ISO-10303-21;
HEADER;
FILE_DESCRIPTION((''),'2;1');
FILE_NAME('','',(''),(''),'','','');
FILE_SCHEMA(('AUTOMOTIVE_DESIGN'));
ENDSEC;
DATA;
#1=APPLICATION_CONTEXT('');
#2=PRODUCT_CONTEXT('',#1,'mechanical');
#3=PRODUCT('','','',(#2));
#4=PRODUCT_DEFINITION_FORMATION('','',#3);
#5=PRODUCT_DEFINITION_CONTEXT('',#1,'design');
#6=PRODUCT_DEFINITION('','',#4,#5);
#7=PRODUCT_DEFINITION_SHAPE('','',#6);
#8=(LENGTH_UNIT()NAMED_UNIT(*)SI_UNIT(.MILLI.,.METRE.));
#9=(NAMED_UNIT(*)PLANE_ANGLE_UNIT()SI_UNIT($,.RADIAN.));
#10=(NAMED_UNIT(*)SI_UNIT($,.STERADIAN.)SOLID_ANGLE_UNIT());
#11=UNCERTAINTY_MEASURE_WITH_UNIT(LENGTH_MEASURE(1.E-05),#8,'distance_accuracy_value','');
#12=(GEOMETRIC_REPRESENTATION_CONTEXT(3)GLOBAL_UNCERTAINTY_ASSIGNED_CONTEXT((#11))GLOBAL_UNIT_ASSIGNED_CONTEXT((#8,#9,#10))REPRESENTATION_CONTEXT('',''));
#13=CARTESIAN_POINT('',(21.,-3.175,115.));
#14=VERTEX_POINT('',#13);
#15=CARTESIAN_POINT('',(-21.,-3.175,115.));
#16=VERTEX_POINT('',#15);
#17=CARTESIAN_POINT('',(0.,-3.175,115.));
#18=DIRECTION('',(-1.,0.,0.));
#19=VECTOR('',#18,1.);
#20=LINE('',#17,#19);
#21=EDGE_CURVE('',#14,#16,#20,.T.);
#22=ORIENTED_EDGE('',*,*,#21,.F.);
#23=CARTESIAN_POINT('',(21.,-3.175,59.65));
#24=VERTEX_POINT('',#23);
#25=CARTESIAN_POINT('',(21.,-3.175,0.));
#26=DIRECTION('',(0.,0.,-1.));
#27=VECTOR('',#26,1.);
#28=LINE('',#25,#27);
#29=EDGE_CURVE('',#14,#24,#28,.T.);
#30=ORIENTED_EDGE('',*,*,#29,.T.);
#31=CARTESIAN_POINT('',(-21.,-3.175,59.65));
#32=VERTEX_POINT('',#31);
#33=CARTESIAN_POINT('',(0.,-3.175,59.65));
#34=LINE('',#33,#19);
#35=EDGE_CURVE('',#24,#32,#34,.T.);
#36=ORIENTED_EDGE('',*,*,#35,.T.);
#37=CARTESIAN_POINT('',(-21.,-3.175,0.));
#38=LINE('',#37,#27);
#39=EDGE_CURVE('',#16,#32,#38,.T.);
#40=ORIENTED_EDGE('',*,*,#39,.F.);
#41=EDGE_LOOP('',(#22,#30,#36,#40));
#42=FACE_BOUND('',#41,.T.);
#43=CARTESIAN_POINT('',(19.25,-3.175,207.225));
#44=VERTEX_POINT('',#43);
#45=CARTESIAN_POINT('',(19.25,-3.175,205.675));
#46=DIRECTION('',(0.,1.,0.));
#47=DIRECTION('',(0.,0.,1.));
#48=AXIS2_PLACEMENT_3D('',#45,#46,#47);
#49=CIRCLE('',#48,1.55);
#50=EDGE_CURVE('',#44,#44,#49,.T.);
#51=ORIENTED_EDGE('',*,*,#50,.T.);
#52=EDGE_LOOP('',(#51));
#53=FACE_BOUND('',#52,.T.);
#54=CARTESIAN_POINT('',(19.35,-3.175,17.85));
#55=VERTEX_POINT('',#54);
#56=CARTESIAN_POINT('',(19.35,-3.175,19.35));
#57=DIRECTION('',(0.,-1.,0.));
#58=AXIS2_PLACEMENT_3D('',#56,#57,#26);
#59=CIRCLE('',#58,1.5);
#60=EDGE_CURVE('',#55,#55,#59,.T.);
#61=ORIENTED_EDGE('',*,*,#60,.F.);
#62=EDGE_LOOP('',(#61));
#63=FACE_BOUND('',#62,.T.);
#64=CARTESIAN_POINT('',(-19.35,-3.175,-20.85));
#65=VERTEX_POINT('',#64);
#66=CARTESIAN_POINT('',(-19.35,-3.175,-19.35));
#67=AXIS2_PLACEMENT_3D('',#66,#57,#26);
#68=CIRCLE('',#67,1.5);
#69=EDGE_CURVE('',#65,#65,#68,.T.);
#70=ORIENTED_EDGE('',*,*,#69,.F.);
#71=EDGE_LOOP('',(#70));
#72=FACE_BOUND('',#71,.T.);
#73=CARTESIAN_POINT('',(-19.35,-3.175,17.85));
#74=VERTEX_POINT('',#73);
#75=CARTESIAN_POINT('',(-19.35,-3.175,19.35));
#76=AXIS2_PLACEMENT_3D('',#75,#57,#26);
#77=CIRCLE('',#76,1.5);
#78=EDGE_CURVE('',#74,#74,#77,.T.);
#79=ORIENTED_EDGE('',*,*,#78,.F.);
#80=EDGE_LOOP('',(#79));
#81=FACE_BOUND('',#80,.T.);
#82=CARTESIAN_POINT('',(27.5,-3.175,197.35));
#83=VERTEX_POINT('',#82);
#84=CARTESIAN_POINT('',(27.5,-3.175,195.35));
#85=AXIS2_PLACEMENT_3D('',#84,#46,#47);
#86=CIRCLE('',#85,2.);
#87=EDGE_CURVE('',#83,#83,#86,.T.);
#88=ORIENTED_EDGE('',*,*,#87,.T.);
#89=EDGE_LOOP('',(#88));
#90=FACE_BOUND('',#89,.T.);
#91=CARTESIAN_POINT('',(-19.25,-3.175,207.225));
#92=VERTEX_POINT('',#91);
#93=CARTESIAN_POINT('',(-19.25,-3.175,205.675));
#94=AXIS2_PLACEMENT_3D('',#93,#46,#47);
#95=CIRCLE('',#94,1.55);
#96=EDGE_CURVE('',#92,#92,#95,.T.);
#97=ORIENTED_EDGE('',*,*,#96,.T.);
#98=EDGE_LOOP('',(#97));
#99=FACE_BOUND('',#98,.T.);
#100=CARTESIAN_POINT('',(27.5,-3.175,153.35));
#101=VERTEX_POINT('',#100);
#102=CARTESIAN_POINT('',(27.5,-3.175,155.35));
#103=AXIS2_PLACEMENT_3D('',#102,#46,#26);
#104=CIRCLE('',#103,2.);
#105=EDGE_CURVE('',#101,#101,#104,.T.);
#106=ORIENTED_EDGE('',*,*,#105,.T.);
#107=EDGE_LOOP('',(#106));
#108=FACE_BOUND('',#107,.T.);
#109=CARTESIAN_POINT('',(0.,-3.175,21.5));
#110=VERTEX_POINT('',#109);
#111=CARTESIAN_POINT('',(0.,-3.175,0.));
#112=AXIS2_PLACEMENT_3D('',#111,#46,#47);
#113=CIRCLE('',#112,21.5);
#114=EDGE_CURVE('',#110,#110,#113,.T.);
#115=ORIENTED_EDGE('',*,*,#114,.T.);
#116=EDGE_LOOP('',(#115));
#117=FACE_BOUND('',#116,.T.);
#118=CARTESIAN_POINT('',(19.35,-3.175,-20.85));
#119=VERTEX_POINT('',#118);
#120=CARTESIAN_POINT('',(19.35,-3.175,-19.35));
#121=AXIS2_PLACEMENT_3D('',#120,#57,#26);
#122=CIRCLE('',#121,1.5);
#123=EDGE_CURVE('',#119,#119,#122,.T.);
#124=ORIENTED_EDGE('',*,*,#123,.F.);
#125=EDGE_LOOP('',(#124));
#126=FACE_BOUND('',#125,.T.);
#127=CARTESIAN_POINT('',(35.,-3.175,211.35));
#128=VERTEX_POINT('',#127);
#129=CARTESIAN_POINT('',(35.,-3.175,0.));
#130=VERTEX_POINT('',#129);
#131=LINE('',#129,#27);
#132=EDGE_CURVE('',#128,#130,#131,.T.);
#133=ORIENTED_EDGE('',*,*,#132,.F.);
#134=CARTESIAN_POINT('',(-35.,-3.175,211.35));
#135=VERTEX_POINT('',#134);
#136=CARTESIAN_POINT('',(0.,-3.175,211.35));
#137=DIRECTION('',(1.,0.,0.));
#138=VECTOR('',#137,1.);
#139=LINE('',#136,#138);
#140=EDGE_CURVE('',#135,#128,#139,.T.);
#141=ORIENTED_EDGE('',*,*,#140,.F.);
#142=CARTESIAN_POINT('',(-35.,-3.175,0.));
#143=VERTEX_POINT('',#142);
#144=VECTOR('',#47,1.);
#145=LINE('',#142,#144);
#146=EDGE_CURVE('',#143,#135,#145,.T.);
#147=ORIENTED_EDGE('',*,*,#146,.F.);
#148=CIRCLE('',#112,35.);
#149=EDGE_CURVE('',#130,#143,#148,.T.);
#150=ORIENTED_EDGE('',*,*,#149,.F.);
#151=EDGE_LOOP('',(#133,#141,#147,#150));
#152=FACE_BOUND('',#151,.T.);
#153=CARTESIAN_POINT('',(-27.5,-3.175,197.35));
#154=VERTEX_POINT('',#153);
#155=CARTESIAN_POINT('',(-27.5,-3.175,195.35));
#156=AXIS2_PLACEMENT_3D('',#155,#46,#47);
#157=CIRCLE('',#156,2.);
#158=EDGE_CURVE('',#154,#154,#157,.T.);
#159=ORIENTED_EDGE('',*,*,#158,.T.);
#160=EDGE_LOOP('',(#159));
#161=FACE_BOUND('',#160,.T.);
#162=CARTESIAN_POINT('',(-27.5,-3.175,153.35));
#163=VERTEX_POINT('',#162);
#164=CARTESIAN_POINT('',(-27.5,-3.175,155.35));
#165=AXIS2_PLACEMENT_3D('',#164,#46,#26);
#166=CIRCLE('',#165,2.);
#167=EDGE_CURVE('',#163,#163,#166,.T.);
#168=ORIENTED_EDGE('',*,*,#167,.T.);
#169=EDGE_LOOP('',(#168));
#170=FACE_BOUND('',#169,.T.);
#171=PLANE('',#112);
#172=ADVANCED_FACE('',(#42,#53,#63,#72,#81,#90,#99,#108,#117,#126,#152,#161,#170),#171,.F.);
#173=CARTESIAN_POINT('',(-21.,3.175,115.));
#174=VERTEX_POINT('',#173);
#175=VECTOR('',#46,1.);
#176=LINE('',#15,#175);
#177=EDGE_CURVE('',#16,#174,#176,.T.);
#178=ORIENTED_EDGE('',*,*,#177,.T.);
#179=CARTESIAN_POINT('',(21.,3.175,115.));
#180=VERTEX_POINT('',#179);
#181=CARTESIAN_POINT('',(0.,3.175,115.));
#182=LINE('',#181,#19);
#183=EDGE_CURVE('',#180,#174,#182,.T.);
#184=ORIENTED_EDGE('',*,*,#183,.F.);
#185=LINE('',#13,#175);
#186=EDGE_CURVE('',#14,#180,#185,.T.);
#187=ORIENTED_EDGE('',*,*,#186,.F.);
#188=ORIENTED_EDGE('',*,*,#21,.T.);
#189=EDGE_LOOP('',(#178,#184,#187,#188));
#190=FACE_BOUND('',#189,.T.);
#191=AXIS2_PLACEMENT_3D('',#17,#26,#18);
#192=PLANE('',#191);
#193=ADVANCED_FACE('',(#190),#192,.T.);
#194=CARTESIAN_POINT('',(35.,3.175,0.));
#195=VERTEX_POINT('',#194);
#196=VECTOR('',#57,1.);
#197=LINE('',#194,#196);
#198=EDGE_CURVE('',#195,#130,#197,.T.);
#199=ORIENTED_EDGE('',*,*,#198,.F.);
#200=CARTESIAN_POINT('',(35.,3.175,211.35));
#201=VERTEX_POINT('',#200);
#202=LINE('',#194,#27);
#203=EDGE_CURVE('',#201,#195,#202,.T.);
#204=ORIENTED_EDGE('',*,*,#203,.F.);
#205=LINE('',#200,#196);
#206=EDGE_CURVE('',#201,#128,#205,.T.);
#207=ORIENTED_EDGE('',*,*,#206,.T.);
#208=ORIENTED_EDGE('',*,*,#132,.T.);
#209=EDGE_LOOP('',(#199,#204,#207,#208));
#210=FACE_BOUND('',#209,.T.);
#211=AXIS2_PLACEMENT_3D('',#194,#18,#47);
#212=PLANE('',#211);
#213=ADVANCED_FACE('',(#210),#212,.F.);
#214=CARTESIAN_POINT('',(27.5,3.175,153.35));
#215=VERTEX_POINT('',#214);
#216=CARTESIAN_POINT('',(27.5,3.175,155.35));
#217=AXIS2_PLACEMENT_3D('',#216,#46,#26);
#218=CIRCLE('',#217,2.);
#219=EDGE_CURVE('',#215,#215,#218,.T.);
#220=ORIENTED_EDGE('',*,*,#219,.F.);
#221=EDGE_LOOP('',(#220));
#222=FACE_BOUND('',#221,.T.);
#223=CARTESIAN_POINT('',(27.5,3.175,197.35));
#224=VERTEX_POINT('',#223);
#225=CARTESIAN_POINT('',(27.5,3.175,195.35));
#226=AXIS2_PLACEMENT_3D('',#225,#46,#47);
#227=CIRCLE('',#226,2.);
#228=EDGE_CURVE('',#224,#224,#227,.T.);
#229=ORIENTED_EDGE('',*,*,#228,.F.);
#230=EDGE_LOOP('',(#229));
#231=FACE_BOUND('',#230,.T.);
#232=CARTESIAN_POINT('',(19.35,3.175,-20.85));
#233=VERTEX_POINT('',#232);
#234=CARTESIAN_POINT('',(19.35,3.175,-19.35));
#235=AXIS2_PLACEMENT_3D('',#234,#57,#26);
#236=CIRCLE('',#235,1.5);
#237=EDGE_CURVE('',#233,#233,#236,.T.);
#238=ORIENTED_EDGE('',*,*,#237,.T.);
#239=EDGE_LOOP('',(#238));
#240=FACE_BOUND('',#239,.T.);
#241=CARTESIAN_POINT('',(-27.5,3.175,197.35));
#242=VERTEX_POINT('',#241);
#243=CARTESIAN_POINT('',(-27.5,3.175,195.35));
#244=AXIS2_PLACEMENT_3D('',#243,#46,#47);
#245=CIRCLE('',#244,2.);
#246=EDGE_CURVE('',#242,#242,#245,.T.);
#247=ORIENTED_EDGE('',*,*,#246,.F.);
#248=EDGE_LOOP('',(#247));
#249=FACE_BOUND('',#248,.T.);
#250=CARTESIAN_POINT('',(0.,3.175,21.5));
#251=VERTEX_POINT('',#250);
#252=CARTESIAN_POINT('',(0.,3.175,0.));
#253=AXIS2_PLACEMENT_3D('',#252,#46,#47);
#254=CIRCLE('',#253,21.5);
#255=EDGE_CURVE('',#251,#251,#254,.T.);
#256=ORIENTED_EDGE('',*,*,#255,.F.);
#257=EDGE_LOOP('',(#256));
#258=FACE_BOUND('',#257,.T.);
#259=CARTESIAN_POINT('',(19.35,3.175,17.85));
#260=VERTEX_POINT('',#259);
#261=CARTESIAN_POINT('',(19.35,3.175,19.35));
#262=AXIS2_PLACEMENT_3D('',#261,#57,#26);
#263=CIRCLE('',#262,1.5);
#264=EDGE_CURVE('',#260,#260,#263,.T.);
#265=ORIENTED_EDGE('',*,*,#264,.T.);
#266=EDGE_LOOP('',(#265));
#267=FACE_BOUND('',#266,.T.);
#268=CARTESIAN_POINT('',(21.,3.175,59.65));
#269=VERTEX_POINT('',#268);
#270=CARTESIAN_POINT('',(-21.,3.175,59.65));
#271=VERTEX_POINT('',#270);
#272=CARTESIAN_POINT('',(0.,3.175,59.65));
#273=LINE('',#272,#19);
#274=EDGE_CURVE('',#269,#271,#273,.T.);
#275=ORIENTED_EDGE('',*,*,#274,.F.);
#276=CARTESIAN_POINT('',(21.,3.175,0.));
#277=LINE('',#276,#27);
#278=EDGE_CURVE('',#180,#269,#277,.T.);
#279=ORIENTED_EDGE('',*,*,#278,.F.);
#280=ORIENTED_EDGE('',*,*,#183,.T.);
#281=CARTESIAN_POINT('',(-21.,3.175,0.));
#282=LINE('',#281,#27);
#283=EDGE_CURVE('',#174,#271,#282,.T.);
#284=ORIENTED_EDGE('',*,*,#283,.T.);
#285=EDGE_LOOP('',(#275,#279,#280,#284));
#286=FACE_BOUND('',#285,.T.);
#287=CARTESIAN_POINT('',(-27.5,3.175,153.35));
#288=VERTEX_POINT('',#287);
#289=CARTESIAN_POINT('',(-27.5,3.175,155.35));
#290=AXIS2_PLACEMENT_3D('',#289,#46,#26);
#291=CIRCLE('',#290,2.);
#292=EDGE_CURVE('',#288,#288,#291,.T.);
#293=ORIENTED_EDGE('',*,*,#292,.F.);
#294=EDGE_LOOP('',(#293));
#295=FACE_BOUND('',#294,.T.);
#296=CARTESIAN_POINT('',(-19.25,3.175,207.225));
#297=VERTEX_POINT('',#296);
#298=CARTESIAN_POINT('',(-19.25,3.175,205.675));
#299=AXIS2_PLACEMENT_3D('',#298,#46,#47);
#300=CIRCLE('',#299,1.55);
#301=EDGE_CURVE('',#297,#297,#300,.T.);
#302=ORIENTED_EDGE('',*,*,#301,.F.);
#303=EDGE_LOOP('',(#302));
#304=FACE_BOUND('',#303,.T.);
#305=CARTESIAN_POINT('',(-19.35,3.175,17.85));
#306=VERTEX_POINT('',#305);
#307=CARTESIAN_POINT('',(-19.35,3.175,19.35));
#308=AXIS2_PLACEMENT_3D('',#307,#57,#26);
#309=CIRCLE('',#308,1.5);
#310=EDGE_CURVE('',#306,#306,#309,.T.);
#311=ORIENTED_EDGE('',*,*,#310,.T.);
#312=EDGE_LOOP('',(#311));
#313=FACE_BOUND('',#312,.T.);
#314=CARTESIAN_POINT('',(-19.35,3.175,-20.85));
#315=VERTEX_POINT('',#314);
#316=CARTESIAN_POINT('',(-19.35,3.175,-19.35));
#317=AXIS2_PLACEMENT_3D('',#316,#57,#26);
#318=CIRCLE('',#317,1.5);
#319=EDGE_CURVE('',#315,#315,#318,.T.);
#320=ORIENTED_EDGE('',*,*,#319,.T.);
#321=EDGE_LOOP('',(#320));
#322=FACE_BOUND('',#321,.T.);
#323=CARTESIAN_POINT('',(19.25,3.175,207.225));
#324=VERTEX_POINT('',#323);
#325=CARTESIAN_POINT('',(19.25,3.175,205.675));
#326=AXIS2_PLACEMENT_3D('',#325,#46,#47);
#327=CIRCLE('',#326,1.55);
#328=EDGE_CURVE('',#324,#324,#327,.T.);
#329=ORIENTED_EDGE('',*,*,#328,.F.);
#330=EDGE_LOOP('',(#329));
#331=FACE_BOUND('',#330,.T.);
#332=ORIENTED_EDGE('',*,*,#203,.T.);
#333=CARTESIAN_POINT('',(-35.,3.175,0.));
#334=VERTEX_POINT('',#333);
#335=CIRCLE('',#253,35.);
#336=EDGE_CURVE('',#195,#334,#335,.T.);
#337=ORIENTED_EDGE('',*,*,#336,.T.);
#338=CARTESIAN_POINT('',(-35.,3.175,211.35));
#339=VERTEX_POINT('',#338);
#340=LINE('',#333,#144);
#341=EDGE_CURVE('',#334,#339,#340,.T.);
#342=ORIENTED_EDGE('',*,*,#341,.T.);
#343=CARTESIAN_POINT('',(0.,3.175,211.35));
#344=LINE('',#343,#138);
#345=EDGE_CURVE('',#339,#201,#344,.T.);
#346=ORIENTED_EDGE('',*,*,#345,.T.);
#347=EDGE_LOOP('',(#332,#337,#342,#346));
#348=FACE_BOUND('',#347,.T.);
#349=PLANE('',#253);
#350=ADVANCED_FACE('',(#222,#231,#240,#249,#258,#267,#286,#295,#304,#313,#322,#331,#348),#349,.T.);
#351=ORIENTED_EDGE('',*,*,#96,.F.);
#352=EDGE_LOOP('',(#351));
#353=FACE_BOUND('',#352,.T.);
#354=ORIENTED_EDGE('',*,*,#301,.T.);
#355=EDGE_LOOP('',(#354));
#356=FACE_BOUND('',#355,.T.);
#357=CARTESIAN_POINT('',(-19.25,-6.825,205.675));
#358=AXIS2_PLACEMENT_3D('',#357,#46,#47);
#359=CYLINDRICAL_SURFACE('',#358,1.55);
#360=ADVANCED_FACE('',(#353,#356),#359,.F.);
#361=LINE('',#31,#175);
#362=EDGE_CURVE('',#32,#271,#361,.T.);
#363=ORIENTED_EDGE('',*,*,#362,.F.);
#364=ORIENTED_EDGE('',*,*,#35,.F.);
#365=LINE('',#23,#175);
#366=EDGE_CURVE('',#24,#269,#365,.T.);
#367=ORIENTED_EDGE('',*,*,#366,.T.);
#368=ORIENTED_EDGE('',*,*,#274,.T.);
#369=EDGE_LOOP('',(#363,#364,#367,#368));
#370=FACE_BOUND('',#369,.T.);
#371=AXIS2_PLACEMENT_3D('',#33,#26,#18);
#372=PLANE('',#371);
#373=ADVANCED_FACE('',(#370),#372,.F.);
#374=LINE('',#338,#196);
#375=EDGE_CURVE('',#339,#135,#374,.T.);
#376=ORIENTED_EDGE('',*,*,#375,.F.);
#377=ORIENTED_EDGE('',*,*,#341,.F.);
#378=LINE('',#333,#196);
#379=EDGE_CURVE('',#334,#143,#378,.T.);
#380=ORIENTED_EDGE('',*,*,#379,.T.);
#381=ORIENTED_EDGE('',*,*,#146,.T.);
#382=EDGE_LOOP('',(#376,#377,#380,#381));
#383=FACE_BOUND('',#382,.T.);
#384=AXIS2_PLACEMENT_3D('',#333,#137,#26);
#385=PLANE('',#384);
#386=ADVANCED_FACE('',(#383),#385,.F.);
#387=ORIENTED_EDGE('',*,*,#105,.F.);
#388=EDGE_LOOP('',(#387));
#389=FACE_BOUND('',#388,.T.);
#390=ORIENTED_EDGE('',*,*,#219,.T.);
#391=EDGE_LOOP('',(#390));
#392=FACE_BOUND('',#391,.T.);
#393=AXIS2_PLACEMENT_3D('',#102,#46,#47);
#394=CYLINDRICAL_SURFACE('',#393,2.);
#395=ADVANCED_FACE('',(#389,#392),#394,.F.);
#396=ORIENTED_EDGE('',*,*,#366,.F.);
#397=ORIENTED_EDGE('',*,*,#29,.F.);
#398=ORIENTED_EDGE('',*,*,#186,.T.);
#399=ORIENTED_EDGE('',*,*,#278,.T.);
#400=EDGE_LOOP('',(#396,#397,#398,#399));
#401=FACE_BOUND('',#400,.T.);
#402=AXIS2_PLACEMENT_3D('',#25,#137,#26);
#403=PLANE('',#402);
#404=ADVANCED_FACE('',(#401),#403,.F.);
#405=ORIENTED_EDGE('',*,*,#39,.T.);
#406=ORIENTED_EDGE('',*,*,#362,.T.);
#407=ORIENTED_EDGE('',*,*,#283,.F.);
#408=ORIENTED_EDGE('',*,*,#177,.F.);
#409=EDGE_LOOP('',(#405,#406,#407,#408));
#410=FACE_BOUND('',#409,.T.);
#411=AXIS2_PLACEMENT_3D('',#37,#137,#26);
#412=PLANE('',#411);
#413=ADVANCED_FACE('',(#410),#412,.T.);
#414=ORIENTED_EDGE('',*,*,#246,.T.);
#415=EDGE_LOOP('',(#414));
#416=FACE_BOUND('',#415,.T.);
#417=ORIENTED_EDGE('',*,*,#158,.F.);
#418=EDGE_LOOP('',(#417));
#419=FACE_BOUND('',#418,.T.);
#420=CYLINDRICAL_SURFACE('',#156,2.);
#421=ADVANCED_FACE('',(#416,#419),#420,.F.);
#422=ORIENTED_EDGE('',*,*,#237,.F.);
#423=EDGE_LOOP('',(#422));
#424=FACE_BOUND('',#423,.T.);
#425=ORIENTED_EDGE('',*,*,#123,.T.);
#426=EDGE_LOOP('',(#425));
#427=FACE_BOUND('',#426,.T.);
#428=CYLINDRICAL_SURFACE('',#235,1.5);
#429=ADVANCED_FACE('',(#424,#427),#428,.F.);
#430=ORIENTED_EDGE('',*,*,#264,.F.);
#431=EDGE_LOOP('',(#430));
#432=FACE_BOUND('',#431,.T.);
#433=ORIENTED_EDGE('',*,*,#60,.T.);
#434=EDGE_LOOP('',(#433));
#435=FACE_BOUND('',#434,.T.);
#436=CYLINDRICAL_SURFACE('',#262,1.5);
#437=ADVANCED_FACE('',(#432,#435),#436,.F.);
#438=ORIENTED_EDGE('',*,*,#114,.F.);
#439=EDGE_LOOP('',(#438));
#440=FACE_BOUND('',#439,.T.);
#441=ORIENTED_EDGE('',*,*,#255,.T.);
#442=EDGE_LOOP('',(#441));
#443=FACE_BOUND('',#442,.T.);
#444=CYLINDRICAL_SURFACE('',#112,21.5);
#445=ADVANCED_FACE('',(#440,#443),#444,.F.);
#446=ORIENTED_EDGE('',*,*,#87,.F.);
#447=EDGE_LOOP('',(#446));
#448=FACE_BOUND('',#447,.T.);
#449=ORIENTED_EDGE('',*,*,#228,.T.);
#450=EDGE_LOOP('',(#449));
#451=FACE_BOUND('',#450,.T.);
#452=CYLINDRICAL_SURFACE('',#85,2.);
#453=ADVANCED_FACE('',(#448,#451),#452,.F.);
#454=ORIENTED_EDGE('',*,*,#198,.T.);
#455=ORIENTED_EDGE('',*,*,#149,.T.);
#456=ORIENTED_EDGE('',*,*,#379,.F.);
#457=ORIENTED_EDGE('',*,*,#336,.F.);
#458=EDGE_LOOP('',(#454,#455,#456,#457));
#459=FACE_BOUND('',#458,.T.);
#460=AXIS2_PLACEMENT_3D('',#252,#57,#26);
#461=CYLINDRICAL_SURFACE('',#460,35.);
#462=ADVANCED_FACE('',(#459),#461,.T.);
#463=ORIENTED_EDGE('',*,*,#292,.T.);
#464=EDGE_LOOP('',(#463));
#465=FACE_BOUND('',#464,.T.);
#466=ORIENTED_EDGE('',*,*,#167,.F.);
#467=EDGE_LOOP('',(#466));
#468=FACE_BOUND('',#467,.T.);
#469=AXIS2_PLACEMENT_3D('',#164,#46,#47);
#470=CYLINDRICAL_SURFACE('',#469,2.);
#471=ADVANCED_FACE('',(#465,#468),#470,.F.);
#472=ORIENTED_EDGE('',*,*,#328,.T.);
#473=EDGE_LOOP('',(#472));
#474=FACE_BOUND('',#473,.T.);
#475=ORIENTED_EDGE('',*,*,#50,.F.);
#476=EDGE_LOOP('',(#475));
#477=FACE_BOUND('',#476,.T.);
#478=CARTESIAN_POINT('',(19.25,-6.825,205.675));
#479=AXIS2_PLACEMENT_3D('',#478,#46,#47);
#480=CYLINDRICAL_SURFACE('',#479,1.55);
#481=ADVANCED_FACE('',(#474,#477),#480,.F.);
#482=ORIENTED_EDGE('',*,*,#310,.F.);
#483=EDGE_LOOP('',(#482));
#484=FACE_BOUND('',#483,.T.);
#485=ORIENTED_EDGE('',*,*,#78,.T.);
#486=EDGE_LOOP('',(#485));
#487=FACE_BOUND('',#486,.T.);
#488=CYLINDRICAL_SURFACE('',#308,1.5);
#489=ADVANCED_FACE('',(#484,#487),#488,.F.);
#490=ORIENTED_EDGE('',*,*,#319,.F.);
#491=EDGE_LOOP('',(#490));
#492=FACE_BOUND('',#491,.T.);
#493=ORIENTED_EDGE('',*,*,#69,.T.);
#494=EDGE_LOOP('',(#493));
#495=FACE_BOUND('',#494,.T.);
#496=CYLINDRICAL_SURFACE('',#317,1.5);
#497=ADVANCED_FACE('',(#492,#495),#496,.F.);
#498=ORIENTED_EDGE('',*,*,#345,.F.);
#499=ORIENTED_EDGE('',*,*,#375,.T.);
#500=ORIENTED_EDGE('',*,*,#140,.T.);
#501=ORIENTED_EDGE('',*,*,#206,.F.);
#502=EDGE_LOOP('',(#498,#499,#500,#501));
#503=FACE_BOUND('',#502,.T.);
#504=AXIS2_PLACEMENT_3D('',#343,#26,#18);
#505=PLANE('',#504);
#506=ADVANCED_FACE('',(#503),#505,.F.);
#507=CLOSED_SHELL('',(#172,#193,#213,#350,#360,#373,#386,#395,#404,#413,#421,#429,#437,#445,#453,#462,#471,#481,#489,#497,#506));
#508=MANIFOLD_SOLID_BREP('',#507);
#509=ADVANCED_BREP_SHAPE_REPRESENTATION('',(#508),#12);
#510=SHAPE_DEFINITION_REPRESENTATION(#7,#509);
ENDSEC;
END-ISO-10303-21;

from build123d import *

# Parameters (mm, degrees)
BOSS_EXTRUDE1_DEPTH = 3.175
SKETCH2_R           = 21.5
CUT_EXTRUDE1_DEPTH  = 215.322525648
SKETCH3_W           = 42
SKETCH3_H           = 55.35
CUT_EXTRUDE2_DEPTH  = 215.322525648
SKETCH4_R           = 1.5
CUT_EXTRUDE3_DEPTH  = 215.322525648
SKETCH5_R           = 2
CUT_EXTRUDE4_DEPTH  = 215.322525648
SKETCH7_R           = 1.55
CUT_EXTRUDE6_DEPTH  = 10


with BuildPart() as part:
    # Sketch1 → Boss-Extrude1 (new, symmetric)
    with BuildSketch(Plane(origin=(0, 0, 0), x_dir=(1, 0, 0), z_dir=(0, 1, 0))):
        with BuildLine():
            Line((35, -211.35), (35, 0))
            ThreePointArc((35, 0), (0, 35), (-35, 0))
            Line((-35, 0), (-35, -211.35))
            Line((-35, -211.35), (35, -211.35))
        make_face()
    extrude(amount=BOSS_EXTRUDE1_DEPTH, both=True)

    # Sketch2 → Cut-Extrude1 (cut, through all)
    with BuildSketch(Plane(origin=(0, 3.175, 0), x_dir=(1, 0, 0), z_dir=(0, 1, 0))):
        with Locations(Location((0, 0, 0), (0, 0, 270))):
            Circle(SKETCH2_R)
    extrude(amount=-CUT_EXTRUDE1_DEPTH, mode=Mode.SUBTRACT)

    # Sketch3 → Cut-Extrude2 (cut, through all)
    with BuildSketch(Plane(origin=(0, 3.175, 0), x_dir=(1, 0, 0), z_dir=(0, 1, 0))):
        with Locations((0, -87.325)):
            Rectangle(SKETCH3_W, SKETCH3_H)
    extrude(amount=-CUT_EXTRUDE2_DEPTH, mode=Mode.SUBTRACT)

    # Sketch4 → Cut-Extrude3 (cut, through all)
    with BuildSketch(Plane.XZ.offset(3.175)):
        with Locations(Location((-19.35, 19.35, 0), (0, 0, 270))):
            Circle(SKETCH4_R)
        with Locations(Location((19.35, 19.35, 0), (0, 0, 270))):
            Circle(SKETCH4_R)
        with Locations(Location((19.35, -19.35, 0), (0, 0, 270))):
            Circle(SKETCH4_R)
        with Locations(Location((-19.35, -19.35, 0), (0, 0, 270))):
            Circle(SKETCH4_R)
    extrude(amount=-CUT_EXTRUDE3_DEPTH, mode=Mode.SUBTRACT)

    # Sketch5 → Cut-Extrude4 (cut, through all)
    with BuildSketch(Plane(origin=(0, 3.175, 0), x_dir=(1, 0, 0), z_dir=(0, 1, 0))):
        with Locations((15, -65.35)):
            Circle(SKETCH5_R)
        with Locations((-15, -65.35)):
            Circle(SKETCH5_R)
        with Locations(Location((27.5, -195.35, 0), (0, 0, 270))):
            Circle(SKETCH5_R)
        with Locations(Location((-27.5, -195.35, 0), (0, 0, 270))):
            Circle(SKETCH5_R)
        with Locations(Location((27.5, -155.35, 0), (0, 0, 90))):
            Circle(SKETCH5_R)
        with Locations(Location((-27.5, -155.35, 0), (0, 0, 90))):
            Circle(SKETCH5_R)
    extrude(amount=-CUT_EXTRUDE4_DEPTH, mode=Mode.SUBTRACT)

    # Sketch7 → Cut-Extrude6 (cut)
    with BuildSketch(Plane(origin=(0, 3.175, 0), x_dir=(1, 0, 0), z_dir=(0, 1, 0))):
        with Locations(Location((-19.25, -205.675, 0), (0, 0, 270))):
            Circle(SKETCH7_R)
        with Locations(Location((19.25, -205.675, 0), (0, 0, 270))):
            Circle(SKETCH7_R)
    extrude(amount=-CUT_EXTRUDE6_DEPTH, mode=Mode.SUBTRACT)


solid = part.part
